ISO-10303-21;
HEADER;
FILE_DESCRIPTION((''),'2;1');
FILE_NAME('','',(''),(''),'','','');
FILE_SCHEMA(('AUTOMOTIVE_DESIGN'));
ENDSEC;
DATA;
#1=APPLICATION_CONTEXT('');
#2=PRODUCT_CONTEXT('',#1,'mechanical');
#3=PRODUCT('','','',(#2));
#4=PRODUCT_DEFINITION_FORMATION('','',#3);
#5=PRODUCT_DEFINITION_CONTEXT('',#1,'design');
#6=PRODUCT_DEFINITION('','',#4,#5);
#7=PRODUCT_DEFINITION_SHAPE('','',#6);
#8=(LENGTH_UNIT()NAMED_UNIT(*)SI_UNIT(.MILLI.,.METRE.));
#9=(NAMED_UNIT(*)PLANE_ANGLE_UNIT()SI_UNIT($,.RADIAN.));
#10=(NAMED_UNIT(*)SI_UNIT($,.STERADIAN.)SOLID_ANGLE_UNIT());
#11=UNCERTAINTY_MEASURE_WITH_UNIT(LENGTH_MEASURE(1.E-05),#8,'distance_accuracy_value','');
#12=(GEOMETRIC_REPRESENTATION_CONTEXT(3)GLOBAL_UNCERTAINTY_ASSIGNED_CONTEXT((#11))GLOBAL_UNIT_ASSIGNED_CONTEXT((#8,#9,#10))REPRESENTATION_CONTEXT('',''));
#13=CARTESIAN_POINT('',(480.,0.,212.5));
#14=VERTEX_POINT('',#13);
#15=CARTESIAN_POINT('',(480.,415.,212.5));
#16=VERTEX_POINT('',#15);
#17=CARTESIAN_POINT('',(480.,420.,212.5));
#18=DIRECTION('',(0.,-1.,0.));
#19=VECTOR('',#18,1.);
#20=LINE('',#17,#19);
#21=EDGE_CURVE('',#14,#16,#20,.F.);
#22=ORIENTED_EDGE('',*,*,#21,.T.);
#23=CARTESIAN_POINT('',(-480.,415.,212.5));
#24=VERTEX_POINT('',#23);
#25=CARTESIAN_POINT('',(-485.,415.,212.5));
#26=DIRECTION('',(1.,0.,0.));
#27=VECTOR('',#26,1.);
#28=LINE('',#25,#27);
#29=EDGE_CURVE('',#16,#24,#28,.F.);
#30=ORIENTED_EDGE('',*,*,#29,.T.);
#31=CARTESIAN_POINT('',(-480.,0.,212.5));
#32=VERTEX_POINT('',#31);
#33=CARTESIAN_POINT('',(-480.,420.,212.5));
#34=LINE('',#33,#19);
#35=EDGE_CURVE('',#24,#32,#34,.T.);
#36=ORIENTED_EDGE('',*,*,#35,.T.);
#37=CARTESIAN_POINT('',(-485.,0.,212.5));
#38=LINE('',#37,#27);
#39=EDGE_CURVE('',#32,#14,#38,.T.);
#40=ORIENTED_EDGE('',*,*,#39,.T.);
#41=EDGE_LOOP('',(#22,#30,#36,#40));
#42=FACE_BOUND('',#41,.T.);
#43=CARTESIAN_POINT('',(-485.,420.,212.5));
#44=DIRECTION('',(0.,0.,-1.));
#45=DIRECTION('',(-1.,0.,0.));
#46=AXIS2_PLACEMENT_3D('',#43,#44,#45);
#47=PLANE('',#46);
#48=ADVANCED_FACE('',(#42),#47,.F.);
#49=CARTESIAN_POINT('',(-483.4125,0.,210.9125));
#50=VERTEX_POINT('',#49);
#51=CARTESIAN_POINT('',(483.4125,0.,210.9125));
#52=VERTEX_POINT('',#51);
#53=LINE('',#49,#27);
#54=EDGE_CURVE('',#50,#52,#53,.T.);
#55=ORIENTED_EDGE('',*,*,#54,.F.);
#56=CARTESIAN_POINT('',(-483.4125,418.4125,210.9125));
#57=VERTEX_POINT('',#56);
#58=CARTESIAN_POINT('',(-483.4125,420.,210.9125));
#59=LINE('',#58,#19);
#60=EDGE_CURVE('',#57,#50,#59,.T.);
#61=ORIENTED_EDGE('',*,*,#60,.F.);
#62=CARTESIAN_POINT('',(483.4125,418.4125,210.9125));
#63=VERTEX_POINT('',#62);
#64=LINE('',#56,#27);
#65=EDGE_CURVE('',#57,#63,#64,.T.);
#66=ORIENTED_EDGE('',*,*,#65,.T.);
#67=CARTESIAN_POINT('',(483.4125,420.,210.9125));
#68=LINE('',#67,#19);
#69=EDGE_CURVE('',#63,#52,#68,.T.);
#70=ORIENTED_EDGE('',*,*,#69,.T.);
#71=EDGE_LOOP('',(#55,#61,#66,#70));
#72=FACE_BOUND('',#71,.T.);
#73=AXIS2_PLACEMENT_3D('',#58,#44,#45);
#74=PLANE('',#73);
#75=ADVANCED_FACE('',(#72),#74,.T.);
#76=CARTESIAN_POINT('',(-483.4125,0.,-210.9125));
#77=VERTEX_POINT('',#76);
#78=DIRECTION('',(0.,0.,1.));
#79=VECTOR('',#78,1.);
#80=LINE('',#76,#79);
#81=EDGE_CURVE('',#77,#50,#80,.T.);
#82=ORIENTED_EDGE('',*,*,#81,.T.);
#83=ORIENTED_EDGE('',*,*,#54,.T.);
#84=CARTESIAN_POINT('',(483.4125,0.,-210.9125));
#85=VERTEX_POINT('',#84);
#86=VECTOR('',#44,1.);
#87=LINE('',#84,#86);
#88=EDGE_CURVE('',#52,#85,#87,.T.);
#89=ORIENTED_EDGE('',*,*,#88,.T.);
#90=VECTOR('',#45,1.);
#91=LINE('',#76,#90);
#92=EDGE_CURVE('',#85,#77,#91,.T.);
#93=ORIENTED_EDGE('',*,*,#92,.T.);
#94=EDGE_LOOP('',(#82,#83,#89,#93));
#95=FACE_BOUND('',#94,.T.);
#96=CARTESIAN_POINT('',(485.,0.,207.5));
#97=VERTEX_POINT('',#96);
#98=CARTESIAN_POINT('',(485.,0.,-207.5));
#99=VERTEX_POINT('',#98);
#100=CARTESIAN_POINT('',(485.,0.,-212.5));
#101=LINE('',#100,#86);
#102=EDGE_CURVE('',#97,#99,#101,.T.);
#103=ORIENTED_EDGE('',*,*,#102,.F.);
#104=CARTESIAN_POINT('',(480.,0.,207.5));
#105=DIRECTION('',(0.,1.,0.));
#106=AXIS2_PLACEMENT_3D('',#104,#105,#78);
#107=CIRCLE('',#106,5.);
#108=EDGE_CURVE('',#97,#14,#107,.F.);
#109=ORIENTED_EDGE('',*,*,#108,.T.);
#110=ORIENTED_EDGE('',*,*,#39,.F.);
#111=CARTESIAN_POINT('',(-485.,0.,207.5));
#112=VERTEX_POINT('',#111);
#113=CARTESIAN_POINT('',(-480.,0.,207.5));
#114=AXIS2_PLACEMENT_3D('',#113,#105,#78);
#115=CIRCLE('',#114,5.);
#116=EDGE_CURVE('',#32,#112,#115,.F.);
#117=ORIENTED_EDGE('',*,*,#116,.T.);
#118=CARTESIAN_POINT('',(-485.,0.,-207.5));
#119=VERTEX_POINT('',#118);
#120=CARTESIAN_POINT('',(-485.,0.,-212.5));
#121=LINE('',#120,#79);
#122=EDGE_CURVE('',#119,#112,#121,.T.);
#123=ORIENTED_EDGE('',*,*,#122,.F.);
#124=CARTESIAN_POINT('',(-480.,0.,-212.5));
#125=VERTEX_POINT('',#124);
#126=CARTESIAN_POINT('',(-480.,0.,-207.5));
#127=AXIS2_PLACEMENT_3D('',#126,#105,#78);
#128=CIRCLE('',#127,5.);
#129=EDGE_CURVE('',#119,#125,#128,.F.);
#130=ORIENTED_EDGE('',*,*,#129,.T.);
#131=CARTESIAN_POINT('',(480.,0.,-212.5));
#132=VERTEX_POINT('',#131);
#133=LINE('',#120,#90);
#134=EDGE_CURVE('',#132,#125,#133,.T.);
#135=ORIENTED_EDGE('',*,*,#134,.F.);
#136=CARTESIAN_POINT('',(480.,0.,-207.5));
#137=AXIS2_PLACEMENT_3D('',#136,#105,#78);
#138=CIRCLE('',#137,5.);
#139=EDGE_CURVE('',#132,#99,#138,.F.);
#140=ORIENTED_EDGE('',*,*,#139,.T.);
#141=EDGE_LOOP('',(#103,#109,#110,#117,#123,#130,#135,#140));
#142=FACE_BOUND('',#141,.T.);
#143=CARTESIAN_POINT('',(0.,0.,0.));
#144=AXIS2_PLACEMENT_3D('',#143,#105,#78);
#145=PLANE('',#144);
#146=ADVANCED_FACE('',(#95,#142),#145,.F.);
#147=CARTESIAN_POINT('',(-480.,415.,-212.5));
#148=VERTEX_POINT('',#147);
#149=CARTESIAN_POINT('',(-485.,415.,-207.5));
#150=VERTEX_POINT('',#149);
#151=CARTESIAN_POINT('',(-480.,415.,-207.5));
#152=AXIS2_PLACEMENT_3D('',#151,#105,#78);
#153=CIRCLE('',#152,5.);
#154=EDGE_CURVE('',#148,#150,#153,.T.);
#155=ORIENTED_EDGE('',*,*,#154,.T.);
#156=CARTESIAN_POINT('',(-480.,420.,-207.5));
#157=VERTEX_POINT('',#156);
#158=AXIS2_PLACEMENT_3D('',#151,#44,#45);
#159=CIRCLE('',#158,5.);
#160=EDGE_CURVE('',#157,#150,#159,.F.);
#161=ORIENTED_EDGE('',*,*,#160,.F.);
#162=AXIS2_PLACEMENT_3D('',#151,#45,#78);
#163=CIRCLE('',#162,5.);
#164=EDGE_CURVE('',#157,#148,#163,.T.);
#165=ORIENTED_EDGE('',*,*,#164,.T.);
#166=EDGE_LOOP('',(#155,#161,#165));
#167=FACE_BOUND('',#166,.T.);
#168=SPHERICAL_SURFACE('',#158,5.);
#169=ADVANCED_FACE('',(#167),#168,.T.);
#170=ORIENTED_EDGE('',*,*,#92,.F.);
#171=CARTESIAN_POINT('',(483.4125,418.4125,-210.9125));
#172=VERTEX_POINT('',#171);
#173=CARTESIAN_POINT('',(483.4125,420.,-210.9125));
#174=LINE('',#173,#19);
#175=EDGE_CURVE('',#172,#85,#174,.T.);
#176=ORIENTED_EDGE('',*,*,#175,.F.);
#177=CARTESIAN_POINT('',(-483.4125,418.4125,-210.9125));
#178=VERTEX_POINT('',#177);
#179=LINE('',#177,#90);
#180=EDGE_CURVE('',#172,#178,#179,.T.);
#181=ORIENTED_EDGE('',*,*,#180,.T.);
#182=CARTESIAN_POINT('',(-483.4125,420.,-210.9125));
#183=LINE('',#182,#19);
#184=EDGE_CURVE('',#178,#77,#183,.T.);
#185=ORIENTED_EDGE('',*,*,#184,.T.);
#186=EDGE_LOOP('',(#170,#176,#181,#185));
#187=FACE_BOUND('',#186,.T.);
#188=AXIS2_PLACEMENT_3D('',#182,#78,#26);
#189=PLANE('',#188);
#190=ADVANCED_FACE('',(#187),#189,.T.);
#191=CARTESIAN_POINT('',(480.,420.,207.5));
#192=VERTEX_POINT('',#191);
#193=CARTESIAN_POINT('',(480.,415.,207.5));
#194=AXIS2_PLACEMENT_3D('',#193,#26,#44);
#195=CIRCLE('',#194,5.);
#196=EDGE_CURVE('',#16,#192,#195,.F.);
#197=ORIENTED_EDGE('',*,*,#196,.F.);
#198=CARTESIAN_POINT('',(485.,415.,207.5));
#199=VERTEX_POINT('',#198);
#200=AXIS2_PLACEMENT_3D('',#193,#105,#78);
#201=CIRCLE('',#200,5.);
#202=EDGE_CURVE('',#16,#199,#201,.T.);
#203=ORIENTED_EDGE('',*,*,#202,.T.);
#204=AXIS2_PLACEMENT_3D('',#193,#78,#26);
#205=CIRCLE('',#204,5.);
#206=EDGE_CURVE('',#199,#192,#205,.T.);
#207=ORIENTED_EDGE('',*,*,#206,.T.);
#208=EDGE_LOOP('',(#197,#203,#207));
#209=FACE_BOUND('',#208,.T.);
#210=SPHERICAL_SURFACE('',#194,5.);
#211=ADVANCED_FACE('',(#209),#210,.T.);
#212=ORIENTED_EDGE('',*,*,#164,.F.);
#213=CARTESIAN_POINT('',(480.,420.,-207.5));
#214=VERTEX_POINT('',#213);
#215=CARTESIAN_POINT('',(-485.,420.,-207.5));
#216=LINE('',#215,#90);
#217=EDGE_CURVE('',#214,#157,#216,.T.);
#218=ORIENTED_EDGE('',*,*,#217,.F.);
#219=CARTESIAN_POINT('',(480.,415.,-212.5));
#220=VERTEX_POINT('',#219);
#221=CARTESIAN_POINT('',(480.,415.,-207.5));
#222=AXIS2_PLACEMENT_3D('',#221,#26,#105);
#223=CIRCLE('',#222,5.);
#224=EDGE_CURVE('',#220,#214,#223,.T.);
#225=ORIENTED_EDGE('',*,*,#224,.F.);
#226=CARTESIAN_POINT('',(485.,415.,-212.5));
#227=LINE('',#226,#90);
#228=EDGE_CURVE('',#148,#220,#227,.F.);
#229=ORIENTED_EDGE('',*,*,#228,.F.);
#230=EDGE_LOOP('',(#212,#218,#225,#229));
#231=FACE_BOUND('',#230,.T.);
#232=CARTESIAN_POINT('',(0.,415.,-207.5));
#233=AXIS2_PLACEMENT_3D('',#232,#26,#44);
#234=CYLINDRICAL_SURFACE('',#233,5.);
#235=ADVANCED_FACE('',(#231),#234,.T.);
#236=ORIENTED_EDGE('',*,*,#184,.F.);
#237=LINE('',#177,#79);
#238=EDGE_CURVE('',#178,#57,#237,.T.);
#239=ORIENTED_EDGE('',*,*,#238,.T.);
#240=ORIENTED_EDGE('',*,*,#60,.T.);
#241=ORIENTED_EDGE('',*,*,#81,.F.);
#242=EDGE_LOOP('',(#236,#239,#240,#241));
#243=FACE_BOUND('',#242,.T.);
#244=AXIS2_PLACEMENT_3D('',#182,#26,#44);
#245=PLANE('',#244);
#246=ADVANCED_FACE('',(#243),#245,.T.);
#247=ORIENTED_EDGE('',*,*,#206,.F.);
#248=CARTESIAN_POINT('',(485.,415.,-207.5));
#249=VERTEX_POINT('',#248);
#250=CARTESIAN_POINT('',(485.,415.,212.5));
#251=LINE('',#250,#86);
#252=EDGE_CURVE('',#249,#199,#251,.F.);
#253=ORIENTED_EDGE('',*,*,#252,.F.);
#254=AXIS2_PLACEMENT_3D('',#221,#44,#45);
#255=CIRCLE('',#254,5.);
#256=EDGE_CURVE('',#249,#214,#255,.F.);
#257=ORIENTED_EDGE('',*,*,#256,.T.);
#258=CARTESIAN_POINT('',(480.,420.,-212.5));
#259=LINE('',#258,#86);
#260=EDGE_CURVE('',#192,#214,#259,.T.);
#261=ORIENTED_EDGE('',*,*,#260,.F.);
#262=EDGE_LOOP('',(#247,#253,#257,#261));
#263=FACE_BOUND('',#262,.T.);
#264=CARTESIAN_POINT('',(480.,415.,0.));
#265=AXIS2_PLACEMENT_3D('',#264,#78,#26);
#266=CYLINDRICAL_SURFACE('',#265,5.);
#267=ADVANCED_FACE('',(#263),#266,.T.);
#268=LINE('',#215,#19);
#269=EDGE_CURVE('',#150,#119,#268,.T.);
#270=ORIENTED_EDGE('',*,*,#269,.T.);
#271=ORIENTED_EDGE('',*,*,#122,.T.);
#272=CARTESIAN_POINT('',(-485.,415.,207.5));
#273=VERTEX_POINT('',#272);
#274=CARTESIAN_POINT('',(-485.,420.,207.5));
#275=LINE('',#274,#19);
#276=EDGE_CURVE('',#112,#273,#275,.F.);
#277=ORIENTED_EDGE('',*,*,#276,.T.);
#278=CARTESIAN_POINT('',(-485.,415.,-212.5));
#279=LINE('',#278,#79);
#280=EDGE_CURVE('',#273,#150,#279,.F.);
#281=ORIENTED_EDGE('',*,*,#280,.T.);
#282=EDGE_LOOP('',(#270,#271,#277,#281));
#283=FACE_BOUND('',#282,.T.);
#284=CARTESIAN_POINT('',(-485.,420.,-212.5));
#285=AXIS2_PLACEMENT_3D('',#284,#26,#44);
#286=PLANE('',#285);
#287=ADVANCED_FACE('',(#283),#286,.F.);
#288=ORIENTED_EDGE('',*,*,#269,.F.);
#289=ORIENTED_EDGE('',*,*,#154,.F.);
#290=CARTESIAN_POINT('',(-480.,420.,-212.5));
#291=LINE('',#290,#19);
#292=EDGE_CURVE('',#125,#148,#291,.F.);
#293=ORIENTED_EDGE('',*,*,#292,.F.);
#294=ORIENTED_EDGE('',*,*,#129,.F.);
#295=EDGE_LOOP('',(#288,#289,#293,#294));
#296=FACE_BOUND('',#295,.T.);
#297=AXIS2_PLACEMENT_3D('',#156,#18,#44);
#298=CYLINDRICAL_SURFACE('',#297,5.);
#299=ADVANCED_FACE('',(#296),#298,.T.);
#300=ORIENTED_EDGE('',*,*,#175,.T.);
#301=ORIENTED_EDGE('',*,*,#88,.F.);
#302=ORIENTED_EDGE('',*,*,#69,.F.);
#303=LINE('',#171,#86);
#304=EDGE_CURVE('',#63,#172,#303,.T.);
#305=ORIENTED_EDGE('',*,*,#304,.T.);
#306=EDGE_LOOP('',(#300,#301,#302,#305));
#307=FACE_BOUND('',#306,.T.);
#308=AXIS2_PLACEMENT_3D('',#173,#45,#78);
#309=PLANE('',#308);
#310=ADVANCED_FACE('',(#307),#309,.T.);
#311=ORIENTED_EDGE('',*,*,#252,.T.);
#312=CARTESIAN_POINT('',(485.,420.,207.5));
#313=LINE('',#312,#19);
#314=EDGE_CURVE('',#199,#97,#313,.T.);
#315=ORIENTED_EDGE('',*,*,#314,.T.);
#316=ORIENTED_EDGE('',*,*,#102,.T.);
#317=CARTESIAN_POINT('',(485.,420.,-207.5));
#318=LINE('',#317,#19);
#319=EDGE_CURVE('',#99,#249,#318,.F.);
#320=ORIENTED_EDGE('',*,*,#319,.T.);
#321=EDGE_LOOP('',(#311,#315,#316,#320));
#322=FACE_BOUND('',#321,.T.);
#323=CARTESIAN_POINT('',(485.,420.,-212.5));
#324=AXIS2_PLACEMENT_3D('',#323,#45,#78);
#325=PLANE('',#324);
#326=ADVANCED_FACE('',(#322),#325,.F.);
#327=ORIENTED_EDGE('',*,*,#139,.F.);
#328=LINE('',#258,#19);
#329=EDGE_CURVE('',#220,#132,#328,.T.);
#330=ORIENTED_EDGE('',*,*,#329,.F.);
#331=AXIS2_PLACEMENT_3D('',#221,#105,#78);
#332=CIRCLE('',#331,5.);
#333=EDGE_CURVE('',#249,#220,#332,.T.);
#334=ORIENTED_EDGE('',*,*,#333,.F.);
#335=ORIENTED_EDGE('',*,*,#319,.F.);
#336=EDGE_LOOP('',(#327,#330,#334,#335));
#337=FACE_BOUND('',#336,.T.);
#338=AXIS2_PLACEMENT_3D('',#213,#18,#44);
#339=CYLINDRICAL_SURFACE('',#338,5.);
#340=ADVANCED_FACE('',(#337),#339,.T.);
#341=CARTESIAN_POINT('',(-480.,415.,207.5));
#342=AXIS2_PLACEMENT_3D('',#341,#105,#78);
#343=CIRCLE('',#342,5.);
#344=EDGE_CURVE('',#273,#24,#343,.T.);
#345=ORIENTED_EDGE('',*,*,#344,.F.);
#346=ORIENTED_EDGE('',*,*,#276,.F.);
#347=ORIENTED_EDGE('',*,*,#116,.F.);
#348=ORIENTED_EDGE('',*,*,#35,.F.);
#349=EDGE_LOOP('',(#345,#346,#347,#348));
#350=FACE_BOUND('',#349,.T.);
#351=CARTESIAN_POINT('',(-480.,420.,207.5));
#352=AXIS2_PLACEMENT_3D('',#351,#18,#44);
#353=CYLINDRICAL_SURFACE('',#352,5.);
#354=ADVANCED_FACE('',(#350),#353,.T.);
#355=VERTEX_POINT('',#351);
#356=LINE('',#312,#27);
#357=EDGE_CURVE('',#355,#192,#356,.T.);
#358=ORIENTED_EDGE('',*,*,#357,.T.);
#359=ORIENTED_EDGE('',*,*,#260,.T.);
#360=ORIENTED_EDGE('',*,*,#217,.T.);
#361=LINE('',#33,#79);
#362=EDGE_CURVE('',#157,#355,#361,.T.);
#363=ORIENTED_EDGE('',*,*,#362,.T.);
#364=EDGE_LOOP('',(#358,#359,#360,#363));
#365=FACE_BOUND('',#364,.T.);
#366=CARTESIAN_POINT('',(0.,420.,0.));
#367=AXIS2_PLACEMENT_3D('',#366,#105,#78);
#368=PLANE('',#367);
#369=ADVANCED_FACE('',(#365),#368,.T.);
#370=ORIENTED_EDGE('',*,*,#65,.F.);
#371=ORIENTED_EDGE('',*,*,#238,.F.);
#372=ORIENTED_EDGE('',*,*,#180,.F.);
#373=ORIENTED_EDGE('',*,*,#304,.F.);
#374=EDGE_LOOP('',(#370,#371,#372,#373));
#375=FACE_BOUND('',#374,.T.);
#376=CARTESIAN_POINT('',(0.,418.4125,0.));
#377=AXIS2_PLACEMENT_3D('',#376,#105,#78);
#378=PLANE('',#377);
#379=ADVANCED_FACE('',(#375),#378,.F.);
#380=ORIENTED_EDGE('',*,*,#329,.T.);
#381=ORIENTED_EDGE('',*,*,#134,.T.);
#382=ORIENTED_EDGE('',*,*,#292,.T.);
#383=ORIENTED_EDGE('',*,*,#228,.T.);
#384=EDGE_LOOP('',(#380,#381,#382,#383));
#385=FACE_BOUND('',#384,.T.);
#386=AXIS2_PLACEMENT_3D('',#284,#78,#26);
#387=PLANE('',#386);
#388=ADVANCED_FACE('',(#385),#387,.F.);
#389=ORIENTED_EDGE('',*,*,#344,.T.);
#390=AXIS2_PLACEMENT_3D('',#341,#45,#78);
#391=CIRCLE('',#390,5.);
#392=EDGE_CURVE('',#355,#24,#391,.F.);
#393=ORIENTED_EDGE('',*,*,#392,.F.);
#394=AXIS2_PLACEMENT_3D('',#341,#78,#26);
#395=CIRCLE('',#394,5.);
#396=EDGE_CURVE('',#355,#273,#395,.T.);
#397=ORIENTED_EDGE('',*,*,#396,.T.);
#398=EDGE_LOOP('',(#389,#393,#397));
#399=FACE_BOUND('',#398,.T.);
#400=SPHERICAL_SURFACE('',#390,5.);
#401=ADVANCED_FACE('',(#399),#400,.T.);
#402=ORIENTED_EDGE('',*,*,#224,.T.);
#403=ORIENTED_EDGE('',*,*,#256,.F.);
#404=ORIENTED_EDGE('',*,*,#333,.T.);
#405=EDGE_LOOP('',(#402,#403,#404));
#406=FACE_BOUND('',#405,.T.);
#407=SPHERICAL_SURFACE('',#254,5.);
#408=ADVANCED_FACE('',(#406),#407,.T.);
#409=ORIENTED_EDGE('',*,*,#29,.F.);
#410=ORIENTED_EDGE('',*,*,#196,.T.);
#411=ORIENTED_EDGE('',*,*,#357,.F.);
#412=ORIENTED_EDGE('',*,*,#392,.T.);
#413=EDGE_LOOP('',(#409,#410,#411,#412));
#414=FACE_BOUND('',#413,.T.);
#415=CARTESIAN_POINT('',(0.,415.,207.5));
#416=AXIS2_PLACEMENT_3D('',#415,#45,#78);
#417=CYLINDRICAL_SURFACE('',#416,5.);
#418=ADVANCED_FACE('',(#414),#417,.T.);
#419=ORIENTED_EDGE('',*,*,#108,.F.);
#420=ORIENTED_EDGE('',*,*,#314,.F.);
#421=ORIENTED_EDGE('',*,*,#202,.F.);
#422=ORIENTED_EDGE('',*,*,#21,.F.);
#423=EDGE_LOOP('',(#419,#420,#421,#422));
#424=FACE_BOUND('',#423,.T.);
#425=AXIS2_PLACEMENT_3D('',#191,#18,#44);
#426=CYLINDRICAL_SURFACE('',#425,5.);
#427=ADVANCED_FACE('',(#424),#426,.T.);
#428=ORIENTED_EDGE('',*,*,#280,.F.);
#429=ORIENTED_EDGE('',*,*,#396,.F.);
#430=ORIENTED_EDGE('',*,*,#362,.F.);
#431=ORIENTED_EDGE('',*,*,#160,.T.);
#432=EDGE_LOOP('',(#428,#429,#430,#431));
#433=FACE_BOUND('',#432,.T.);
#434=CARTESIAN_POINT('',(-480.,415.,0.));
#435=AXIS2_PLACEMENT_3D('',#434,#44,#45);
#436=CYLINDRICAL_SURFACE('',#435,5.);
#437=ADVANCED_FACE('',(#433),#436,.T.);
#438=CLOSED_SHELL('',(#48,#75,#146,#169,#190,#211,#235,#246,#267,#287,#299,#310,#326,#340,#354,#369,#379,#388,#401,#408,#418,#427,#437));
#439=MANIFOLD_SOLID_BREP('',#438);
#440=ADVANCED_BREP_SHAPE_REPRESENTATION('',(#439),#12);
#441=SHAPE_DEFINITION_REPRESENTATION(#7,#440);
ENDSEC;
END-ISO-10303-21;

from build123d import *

# Parameters (mm, degrees)
SKETCH2_W           = 970
SKETCH2_H           = 425
SKETCH2_W_2         = 966.825
SKETCH2_H_2         = 421.825
BOSS_EXTRUDE1_DEPTH = 420
BOSS_EXTRUDE2_START = 420
SKETCH3_W           = 970
SKETCH3_H           = 425
BOSS_EXTRUDE2_DEPTH = 1.5875
FILLET2_R           = 5


with BuildPart() as part:
    # Sketch2 → Boss-Extrude1 (new body)
    with BuildSketch(Plane(origin=(0, 0, 0), x_dir=(1, 0, 0), z_dir=(0, 1, 0))):
        Rectangle(SKETCH2_W, SKETCH2_H)
        Rectangle(SKETCH2_W_2, SKETCH2_H_2, mode=Mode.SUBTRACT)
    extrude(amount=BOSS_EXTRUDE1_DEPTH)

    # Sketch3 → Boss-Extrude2 (add)
    with BuildSketch(Plane(origin=(0, 0, 0), x_dir=(1, 0, 0), z_dir=(0, 1, 0)).offset(BOSS_EXTRUDE2_START)):
        Rectangle(SKETCH3_W, SKETCH3_H)
    extrude(amount=-BOSS_EXTRUDE2_DEPTH)

    # Fillet2
    fillet2_edges = [part.edges().sort_by_distance(p)[0] for p in [
        (-485, 420, 0),
        (0, 420, 212.5),
        (485, 420, 0),
        (485, 210, 212.5),
        (-485, 210, 212.5),
        (-485, 210, -212.5),
        (485, 210, -212.5),
        (0, 420, -212.5),
    ]]
    fillet(fillet2_edges, radius=FILLET2_R)


solid = part.part
